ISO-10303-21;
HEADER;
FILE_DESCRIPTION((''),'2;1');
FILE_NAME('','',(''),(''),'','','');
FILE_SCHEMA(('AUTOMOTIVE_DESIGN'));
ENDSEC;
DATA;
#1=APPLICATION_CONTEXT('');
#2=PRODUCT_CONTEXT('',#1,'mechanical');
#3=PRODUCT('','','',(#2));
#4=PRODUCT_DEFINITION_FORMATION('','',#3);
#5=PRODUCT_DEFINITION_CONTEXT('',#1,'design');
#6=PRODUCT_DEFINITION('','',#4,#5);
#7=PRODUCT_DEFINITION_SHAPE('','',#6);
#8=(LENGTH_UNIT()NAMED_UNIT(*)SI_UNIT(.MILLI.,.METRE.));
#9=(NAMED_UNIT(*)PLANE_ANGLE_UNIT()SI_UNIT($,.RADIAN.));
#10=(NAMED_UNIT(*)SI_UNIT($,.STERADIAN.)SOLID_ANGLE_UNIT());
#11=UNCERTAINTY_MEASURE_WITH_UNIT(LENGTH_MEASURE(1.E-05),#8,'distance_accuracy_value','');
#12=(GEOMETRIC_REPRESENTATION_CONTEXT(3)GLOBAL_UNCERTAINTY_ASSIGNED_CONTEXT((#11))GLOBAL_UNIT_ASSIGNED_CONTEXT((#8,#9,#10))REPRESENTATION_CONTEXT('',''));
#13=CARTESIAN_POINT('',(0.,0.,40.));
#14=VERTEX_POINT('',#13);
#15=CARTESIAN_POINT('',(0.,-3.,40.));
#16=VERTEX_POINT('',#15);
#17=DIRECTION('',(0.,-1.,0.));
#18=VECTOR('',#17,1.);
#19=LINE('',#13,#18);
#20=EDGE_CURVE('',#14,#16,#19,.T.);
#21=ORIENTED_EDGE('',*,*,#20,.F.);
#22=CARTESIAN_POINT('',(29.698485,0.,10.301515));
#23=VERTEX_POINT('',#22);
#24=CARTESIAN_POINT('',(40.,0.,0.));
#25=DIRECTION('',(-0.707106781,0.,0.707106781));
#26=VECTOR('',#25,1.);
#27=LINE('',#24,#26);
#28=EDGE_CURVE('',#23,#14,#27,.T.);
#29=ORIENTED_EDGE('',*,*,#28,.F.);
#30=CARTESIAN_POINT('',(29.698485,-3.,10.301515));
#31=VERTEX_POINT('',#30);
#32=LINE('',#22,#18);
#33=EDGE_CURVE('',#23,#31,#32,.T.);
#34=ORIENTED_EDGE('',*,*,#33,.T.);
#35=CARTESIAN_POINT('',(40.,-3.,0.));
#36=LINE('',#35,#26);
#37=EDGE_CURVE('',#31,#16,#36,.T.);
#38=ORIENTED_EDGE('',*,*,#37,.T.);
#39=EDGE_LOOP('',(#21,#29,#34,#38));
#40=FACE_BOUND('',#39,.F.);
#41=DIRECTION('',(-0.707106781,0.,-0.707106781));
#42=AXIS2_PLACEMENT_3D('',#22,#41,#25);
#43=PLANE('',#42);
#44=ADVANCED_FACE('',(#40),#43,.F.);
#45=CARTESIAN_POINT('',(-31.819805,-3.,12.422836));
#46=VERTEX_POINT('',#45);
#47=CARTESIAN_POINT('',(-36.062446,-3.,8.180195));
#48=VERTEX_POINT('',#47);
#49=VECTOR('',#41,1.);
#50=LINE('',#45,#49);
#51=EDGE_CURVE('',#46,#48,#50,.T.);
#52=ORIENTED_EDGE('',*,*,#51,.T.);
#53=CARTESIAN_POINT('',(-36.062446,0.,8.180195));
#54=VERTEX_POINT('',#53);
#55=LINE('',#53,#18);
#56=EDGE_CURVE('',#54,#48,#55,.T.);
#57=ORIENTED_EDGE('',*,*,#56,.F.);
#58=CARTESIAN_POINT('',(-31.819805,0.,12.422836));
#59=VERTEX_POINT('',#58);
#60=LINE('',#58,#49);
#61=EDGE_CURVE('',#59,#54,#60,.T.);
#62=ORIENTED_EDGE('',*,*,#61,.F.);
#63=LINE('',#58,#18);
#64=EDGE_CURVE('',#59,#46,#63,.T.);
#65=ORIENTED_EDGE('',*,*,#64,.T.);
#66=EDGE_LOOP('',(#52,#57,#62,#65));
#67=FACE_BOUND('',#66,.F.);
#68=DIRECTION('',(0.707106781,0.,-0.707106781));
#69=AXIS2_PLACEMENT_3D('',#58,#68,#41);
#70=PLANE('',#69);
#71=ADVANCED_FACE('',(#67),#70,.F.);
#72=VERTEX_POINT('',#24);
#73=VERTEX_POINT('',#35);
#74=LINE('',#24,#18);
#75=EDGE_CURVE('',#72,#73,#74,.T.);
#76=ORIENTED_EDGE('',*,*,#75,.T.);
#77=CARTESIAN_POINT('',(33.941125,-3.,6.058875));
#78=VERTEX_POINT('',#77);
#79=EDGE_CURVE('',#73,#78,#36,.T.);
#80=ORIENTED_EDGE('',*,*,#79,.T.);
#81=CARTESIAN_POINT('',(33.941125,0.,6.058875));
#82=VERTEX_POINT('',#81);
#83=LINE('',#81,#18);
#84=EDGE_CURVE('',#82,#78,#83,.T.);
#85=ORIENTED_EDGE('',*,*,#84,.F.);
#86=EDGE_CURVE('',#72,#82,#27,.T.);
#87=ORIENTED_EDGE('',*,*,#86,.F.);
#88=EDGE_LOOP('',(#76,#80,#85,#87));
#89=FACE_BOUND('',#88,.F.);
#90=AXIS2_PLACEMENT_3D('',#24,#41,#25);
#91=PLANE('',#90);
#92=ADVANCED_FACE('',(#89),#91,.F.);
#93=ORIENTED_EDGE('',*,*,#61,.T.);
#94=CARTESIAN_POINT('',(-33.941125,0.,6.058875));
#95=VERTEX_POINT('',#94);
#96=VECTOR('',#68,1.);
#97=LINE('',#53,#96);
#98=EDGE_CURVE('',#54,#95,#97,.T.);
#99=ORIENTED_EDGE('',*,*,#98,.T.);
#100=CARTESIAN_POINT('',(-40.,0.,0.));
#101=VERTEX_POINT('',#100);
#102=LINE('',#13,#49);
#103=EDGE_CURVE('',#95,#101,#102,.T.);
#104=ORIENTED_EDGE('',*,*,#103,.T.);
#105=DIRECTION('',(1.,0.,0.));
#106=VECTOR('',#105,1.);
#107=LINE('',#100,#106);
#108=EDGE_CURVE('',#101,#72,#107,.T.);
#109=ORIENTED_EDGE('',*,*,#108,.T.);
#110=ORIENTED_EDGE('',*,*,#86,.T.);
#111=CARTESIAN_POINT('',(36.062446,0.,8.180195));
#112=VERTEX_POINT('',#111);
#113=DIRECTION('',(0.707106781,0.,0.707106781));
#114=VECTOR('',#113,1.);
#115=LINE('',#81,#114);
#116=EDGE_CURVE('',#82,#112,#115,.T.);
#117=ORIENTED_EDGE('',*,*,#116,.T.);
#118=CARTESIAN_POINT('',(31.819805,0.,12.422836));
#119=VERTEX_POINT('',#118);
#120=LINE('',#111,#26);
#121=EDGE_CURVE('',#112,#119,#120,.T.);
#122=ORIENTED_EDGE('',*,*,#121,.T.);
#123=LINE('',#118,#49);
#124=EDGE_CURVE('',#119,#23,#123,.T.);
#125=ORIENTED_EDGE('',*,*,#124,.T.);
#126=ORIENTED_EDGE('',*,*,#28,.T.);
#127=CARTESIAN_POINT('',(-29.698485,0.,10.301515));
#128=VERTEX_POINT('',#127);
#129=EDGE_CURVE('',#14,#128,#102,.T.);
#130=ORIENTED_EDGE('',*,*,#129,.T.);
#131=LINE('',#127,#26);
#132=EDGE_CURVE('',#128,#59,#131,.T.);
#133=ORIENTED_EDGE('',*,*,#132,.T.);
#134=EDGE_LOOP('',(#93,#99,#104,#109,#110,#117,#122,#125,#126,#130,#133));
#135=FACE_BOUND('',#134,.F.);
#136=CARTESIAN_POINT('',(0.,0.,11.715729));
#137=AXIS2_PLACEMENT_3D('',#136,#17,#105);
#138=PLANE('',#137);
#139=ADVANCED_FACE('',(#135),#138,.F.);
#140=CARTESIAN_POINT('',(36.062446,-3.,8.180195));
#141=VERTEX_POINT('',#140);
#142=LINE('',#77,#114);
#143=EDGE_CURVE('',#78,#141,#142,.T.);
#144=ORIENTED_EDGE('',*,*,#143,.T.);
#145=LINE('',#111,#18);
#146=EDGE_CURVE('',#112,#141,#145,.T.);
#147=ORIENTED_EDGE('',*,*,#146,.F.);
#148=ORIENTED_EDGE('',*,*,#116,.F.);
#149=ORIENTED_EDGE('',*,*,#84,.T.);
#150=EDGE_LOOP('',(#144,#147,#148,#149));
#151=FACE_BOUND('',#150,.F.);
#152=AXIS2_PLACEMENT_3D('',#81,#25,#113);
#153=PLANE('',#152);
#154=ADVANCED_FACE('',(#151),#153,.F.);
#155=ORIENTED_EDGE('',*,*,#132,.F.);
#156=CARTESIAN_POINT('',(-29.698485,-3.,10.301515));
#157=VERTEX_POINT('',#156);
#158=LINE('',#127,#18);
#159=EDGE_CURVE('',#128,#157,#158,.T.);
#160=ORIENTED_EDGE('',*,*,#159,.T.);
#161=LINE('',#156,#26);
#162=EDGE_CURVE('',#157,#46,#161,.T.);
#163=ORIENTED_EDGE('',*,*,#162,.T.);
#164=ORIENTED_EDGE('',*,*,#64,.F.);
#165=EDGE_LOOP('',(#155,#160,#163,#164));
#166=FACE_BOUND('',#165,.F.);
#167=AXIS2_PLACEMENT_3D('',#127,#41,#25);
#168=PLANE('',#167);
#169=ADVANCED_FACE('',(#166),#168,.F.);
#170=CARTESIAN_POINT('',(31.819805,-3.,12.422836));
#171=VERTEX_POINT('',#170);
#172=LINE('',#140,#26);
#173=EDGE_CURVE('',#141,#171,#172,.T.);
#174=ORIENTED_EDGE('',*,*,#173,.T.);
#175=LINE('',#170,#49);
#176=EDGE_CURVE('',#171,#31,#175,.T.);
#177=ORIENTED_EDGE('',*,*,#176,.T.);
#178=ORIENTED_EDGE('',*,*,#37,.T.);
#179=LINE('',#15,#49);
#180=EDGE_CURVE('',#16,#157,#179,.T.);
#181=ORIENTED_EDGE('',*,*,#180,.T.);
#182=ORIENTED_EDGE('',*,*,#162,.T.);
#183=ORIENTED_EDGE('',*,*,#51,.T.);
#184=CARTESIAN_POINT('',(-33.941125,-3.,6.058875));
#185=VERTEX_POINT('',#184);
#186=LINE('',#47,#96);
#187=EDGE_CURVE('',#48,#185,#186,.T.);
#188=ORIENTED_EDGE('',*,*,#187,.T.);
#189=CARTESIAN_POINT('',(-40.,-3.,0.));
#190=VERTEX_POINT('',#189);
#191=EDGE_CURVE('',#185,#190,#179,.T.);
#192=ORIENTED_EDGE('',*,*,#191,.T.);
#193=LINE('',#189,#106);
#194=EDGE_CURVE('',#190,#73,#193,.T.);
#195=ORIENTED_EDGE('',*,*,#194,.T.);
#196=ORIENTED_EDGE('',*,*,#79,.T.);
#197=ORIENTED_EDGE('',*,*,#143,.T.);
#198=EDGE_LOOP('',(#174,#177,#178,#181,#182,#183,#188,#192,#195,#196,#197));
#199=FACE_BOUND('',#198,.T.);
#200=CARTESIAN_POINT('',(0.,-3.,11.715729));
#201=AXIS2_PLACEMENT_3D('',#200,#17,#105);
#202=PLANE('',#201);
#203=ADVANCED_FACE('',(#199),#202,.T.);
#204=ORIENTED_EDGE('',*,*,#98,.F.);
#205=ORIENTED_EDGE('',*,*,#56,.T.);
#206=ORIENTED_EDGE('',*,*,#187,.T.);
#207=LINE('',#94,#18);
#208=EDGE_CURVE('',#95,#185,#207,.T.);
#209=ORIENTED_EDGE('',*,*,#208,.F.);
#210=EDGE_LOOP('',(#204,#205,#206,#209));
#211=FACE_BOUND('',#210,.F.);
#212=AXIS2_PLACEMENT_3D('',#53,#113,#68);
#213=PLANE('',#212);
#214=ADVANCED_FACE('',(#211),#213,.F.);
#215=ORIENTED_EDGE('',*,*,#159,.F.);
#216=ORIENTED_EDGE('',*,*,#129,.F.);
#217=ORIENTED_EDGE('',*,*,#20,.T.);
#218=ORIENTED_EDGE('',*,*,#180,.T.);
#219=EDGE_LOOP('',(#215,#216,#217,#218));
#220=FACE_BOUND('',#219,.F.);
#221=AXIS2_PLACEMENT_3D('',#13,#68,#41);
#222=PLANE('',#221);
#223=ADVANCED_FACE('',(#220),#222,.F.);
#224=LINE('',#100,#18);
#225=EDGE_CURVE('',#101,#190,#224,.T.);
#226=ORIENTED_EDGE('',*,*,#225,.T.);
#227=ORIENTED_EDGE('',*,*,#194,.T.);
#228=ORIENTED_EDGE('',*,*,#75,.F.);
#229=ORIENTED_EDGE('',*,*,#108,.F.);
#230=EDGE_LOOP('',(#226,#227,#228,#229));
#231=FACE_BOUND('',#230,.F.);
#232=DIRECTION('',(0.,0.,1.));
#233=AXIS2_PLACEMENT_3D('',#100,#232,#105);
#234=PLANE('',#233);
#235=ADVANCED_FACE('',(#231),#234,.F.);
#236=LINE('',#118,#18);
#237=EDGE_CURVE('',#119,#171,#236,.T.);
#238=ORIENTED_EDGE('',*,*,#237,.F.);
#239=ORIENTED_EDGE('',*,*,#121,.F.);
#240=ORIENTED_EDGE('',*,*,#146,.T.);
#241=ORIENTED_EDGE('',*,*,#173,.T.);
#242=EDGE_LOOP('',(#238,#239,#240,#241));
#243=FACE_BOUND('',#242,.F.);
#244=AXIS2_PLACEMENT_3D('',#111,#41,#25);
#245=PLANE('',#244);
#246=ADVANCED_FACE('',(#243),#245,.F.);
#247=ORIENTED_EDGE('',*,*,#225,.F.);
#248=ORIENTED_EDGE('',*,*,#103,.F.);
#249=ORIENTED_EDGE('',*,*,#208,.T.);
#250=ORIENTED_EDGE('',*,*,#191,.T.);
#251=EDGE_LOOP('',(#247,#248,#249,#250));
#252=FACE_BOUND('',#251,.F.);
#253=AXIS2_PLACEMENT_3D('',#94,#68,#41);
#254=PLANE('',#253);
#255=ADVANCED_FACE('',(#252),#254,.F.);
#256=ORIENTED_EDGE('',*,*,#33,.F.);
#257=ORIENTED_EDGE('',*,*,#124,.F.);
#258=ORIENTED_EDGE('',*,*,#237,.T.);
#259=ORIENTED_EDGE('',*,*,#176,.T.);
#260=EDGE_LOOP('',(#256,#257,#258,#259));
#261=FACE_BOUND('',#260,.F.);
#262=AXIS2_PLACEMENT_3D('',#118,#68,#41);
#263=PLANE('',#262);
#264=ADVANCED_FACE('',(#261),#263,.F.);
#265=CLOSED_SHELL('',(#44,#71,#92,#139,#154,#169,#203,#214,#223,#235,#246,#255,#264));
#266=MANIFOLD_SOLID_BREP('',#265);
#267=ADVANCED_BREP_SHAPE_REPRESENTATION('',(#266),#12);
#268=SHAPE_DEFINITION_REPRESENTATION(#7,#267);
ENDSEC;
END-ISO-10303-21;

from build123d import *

# Parameters (mm, degrees)
F2_DEPTH = 3


with BuildPart() as f2:
    # F1 (on Front) → F2 (new body)
    with BuildSketch(Plane.XZ):
        Polygon((-33.941125497, 6.058874503), (-40, 0), (40, 0), (33.941125497, 6.058874503), (29.6984848098, 10.3015151902), (0, 40), (-29.6984848098, 10.3015151902), align=None)
        Polygon((29.6984848098, 10.3015151902), (33.941125497, 6.058874503), (36.0624458405, 8.1801948466), (31.8198051534, 12.4228355337), align=None)
        Polygon((-36.0624458405, 8.1801948466), (-33.941125497, 6.058874503), (-29.6984848098, 10.3015151902), (-31.8198051534, 12.4228355337), align=None)
    extrude(amount=F2_DEPTH)


solid = f2.part
